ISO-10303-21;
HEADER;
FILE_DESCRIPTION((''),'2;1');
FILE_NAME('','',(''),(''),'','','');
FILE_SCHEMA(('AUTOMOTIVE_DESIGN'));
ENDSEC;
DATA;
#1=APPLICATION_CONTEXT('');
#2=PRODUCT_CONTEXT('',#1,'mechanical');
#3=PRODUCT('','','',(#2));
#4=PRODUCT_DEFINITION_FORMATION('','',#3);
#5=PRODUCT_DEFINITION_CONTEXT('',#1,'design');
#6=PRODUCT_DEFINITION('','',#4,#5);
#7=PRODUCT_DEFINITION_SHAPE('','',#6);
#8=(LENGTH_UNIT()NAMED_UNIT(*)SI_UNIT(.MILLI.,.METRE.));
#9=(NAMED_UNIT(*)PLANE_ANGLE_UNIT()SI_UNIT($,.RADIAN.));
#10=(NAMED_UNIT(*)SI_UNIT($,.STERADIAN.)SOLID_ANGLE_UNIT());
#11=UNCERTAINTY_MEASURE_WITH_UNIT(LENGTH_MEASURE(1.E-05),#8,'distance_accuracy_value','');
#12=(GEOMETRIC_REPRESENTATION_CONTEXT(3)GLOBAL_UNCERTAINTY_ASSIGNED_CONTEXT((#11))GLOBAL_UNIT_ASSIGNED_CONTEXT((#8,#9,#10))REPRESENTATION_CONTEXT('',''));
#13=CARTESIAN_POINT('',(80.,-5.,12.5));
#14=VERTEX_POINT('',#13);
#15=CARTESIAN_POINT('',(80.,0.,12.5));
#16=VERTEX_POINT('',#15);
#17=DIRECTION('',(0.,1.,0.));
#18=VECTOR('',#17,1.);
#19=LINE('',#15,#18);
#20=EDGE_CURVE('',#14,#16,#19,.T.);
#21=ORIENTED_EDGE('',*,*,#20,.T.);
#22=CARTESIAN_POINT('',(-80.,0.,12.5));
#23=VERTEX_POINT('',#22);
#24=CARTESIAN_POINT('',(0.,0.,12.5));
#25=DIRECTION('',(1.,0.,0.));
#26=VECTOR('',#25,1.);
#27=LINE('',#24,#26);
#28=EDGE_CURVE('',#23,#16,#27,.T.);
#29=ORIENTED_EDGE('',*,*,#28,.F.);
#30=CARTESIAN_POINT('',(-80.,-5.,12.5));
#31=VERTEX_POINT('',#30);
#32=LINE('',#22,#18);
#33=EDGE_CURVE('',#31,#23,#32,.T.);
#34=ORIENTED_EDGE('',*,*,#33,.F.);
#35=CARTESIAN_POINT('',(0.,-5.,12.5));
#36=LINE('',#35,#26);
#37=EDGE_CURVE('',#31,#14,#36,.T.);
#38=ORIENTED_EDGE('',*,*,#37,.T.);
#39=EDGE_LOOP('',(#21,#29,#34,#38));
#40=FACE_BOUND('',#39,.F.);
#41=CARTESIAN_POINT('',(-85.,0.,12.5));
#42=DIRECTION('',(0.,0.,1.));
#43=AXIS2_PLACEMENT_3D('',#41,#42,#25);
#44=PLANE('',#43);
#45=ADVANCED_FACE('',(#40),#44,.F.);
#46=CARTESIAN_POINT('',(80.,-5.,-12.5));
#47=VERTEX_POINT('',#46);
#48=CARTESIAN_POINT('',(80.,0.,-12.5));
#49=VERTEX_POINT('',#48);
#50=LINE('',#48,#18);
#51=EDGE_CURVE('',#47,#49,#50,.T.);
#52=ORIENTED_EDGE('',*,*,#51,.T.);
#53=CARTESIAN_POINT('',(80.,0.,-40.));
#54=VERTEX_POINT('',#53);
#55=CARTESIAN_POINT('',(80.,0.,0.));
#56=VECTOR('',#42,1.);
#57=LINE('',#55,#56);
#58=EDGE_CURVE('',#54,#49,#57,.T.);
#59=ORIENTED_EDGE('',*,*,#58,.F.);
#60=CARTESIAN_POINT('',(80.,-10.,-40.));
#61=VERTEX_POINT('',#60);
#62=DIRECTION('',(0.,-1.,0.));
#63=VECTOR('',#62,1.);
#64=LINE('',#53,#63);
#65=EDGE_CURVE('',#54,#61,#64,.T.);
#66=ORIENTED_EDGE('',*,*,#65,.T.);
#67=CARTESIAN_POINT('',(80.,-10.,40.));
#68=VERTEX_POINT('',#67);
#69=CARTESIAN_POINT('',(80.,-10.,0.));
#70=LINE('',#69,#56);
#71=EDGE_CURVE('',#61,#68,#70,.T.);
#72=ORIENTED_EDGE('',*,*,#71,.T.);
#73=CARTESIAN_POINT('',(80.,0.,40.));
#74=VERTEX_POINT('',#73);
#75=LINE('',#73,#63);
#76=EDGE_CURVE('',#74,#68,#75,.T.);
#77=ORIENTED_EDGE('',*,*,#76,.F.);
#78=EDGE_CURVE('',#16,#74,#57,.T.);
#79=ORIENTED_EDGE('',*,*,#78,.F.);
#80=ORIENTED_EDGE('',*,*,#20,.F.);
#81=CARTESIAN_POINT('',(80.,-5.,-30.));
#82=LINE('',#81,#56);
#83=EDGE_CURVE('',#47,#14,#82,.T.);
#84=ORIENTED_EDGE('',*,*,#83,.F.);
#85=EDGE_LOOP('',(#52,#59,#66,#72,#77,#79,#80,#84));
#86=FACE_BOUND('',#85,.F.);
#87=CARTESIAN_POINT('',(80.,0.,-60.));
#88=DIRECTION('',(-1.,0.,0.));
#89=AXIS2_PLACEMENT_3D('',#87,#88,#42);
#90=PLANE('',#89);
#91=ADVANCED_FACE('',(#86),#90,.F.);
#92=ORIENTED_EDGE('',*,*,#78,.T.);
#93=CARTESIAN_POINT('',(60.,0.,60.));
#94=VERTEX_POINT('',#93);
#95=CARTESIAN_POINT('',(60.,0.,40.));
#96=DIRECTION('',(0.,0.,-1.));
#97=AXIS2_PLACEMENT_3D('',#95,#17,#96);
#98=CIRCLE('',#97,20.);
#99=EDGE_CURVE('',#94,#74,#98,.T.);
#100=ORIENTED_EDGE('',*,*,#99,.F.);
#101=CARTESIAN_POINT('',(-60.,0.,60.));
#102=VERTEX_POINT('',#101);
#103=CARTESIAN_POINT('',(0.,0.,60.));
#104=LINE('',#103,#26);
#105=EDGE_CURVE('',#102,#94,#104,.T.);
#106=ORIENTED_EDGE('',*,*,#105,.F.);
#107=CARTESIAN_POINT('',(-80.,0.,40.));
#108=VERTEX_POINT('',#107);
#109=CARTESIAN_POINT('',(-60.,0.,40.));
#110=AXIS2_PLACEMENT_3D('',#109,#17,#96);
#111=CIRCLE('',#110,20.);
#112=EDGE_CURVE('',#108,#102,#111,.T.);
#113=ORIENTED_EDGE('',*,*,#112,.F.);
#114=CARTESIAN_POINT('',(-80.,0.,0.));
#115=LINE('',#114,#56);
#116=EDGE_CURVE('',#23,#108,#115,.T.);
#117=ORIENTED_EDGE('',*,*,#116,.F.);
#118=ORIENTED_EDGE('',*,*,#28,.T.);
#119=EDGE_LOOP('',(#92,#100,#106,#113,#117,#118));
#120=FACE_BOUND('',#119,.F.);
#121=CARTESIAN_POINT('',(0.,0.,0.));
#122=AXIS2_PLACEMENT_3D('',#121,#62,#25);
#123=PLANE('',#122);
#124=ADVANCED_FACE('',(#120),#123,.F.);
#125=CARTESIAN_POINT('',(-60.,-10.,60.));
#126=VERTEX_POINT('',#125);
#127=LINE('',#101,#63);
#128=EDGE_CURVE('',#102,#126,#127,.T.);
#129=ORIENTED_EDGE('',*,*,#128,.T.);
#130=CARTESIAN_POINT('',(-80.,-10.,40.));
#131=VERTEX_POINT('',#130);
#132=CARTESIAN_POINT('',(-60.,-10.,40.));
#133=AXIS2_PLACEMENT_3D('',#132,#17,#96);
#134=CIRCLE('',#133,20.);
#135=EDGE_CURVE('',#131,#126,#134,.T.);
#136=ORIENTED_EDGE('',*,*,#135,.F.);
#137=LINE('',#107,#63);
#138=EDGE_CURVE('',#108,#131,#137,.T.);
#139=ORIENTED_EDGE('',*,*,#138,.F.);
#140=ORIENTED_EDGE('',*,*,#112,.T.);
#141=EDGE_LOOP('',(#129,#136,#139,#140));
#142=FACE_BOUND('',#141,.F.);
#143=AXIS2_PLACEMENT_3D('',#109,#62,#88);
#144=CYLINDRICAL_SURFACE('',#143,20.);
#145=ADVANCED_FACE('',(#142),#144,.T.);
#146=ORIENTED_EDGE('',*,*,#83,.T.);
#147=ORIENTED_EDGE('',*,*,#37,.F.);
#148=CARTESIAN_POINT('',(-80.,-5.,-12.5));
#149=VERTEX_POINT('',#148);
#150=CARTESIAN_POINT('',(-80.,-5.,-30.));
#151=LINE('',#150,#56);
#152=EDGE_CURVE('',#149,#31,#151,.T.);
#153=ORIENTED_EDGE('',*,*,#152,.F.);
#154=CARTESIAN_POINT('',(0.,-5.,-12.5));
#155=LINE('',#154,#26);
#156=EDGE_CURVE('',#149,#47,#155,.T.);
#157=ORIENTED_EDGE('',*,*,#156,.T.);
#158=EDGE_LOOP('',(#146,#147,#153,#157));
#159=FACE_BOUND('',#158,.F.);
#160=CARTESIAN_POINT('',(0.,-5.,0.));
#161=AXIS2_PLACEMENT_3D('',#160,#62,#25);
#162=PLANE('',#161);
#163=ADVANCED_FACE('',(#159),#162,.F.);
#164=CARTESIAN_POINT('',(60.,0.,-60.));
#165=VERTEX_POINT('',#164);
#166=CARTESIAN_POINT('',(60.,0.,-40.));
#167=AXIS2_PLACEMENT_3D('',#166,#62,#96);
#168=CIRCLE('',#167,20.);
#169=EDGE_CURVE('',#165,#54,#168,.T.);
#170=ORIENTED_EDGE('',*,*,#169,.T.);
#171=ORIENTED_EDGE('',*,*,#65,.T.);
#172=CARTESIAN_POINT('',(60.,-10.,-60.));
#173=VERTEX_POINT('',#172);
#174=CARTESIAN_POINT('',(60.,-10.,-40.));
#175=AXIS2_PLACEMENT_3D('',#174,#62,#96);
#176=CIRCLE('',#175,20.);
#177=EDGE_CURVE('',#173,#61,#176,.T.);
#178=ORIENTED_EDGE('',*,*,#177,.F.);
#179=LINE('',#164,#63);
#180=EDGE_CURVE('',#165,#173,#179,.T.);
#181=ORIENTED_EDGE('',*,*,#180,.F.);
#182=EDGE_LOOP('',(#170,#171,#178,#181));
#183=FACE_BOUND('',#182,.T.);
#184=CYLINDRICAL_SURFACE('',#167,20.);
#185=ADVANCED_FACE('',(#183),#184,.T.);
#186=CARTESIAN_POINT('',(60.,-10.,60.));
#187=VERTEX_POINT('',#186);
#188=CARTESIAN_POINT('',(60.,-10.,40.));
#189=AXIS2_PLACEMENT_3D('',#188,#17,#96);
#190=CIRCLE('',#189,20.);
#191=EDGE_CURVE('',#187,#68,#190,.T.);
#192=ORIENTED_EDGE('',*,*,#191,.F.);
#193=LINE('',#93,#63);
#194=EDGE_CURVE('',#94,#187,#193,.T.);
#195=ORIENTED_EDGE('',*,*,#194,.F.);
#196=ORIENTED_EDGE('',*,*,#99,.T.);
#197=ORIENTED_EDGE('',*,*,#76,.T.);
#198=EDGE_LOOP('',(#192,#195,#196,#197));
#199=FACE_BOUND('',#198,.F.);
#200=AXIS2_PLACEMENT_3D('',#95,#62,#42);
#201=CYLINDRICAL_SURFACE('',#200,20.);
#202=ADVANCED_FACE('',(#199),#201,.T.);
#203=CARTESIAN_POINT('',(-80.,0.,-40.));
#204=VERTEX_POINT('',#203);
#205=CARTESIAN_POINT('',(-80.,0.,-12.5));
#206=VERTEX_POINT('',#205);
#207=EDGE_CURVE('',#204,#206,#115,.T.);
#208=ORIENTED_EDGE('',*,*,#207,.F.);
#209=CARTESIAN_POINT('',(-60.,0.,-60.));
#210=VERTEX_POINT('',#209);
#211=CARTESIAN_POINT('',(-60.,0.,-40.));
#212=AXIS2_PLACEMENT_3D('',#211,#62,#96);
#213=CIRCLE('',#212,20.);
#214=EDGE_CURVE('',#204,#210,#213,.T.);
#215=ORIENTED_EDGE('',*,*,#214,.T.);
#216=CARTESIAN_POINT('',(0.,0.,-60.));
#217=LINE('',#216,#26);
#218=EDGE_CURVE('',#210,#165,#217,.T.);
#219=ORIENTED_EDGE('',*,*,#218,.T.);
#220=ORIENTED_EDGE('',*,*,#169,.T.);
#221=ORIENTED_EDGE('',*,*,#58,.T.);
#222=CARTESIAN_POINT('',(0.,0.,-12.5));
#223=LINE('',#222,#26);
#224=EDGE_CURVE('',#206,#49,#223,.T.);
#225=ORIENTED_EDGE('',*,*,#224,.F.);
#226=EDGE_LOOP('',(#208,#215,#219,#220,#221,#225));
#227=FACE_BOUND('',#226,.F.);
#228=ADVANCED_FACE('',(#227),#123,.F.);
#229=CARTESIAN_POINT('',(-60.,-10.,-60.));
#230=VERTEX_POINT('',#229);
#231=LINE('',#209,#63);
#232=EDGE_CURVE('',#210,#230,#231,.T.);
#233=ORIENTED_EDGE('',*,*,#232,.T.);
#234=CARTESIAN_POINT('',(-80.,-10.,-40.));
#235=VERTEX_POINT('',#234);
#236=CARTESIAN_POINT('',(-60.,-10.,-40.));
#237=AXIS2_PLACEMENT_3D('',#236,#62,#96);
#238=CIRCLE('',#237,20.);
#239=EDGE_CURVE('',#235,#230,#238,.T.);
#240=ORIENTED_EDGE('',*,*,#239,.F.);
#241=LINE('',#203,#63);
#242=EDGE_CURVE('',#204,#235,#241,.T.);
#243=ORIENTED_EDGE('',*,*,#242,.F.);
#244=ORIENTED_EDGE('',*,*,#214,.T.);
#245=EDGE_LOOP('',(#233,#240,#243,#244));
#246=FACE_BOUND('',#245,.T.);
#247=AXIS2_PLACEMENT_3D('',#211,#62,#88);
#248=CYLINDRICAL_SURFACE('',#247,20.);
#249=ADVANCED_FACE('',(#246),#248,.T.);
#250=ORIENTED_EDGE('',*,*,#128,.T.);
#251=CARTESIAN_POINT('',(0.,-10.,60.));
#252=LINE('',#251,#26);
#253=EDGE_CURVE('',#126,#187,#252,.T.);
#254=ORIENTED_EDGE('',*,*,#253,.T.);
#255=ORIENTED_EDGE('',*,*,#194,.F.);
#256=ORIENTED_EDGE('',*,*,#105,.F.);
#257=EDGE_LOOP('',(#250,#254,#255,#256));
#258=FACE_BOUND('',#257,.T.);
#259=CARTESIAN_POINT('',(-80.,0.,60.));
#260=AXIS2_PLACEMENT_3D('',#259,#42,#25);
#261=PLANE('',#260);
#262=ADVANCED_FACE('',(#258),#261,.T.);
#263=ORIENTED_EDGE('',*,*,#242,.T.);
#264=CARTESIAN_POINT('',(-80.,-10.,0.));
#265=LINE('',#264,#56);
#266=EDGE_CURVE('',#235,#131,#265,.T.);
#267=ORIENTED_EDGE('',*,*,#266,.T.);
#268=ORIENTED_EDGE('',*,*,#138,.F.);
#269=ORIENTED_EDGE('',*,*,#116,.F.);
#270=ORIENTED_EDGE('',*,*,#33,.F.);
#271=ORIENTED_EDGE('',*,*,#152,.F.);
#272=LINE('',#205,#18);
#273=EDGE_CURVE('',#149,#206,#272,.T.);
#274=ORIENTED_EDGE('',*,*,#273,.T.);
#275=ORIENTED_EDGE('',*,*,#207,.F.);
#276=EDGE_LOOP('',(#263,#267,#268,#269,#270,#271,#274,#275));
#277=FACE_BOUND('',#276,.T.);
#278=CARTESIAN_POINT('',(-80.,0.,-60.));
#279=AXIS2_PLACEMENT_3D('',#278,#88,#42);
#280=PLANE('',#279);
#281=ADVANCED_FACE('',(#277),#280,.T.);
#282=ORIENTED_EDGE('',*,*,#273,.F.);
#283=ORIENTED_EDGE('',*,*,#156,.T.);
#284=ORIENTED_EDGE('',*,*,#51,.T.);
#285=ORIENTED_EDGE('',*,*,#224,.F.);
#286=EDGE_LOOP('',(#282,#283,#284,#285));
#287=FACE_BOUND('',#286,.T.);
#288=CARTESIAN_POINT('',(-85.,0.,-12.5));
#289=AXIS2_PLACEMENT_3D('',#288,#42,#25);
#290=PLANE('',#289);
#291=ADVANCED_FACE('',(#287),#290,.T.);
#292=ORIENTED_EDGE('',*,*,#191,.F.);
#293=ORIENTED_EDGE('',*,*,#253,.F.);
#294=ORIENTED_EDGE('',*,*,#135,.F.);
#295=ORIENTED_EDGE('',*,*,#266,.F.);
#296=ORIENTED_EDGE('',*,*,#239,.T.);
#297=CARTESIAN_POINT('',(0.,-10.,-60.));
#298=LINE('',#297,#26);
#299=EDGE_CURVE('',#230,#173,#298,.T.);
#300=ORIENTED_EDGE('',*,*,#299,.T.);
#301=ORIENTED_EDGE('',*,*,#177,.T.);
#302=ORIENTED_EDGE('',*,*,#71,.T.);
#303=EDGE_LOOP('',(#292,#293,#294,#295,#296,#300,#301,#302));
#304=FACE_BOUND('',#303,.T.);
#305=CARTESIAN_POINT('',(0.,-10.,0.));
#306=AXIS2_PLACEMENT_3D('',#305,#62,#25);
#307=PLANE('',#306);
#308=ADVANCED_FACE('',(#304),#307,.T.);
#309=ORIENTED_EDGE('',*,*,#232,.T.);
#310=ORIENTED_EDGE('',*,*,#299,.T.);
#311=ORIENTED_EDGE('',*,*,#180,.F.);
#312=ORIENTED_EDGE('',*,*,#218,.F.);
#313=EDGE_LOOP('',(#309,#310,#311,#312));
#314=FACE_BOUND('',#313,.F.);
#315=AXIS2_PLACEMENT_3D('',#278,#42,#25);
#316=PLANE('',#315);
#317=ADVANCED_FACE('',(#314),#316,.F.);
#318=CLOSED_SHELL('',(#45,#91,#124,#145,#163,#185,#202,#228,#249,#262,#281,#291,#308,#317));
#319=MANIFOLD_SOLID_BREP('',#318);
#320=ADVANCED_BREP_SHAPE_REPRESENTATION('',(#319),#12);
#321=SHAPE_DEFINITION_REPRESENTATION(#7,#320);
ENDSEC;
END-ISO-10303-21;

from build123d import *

# Parameters (mm, degrees)
F0_W     = 160
F0_H     = 120
F2_DEPTH = 10
F1_W     = 170
F1_H     = 25
F3_DEPTH = 5
F4_R     = 20


with BuildPart() as f2:
    # F0 (on Front) → F2 (new body)
    with BuildSketch(Plane.XZ):
        Rectangle(F0_W, F0_H)
    extrude(amount=F2_DEPTH)

    # F1 (on Front) → F3 (cut)
    with BuildSketch(Plane.XZ):
        Rectangle(F1_W, F1_H)
    extrude(amount=F3_DEPTH, mode=Mode.SUBTRACT)

    # F4
    f4_edges = [f2.edges().sort_by_distance(p)[0] for p in [
        (80, -5, -60),
        (80, -5, 60),
        (-80, -5, 60),
        (-80, -5, -60),
    ]]
    fillet(f4_edges, radius=F4_R)


solid = f2.part
